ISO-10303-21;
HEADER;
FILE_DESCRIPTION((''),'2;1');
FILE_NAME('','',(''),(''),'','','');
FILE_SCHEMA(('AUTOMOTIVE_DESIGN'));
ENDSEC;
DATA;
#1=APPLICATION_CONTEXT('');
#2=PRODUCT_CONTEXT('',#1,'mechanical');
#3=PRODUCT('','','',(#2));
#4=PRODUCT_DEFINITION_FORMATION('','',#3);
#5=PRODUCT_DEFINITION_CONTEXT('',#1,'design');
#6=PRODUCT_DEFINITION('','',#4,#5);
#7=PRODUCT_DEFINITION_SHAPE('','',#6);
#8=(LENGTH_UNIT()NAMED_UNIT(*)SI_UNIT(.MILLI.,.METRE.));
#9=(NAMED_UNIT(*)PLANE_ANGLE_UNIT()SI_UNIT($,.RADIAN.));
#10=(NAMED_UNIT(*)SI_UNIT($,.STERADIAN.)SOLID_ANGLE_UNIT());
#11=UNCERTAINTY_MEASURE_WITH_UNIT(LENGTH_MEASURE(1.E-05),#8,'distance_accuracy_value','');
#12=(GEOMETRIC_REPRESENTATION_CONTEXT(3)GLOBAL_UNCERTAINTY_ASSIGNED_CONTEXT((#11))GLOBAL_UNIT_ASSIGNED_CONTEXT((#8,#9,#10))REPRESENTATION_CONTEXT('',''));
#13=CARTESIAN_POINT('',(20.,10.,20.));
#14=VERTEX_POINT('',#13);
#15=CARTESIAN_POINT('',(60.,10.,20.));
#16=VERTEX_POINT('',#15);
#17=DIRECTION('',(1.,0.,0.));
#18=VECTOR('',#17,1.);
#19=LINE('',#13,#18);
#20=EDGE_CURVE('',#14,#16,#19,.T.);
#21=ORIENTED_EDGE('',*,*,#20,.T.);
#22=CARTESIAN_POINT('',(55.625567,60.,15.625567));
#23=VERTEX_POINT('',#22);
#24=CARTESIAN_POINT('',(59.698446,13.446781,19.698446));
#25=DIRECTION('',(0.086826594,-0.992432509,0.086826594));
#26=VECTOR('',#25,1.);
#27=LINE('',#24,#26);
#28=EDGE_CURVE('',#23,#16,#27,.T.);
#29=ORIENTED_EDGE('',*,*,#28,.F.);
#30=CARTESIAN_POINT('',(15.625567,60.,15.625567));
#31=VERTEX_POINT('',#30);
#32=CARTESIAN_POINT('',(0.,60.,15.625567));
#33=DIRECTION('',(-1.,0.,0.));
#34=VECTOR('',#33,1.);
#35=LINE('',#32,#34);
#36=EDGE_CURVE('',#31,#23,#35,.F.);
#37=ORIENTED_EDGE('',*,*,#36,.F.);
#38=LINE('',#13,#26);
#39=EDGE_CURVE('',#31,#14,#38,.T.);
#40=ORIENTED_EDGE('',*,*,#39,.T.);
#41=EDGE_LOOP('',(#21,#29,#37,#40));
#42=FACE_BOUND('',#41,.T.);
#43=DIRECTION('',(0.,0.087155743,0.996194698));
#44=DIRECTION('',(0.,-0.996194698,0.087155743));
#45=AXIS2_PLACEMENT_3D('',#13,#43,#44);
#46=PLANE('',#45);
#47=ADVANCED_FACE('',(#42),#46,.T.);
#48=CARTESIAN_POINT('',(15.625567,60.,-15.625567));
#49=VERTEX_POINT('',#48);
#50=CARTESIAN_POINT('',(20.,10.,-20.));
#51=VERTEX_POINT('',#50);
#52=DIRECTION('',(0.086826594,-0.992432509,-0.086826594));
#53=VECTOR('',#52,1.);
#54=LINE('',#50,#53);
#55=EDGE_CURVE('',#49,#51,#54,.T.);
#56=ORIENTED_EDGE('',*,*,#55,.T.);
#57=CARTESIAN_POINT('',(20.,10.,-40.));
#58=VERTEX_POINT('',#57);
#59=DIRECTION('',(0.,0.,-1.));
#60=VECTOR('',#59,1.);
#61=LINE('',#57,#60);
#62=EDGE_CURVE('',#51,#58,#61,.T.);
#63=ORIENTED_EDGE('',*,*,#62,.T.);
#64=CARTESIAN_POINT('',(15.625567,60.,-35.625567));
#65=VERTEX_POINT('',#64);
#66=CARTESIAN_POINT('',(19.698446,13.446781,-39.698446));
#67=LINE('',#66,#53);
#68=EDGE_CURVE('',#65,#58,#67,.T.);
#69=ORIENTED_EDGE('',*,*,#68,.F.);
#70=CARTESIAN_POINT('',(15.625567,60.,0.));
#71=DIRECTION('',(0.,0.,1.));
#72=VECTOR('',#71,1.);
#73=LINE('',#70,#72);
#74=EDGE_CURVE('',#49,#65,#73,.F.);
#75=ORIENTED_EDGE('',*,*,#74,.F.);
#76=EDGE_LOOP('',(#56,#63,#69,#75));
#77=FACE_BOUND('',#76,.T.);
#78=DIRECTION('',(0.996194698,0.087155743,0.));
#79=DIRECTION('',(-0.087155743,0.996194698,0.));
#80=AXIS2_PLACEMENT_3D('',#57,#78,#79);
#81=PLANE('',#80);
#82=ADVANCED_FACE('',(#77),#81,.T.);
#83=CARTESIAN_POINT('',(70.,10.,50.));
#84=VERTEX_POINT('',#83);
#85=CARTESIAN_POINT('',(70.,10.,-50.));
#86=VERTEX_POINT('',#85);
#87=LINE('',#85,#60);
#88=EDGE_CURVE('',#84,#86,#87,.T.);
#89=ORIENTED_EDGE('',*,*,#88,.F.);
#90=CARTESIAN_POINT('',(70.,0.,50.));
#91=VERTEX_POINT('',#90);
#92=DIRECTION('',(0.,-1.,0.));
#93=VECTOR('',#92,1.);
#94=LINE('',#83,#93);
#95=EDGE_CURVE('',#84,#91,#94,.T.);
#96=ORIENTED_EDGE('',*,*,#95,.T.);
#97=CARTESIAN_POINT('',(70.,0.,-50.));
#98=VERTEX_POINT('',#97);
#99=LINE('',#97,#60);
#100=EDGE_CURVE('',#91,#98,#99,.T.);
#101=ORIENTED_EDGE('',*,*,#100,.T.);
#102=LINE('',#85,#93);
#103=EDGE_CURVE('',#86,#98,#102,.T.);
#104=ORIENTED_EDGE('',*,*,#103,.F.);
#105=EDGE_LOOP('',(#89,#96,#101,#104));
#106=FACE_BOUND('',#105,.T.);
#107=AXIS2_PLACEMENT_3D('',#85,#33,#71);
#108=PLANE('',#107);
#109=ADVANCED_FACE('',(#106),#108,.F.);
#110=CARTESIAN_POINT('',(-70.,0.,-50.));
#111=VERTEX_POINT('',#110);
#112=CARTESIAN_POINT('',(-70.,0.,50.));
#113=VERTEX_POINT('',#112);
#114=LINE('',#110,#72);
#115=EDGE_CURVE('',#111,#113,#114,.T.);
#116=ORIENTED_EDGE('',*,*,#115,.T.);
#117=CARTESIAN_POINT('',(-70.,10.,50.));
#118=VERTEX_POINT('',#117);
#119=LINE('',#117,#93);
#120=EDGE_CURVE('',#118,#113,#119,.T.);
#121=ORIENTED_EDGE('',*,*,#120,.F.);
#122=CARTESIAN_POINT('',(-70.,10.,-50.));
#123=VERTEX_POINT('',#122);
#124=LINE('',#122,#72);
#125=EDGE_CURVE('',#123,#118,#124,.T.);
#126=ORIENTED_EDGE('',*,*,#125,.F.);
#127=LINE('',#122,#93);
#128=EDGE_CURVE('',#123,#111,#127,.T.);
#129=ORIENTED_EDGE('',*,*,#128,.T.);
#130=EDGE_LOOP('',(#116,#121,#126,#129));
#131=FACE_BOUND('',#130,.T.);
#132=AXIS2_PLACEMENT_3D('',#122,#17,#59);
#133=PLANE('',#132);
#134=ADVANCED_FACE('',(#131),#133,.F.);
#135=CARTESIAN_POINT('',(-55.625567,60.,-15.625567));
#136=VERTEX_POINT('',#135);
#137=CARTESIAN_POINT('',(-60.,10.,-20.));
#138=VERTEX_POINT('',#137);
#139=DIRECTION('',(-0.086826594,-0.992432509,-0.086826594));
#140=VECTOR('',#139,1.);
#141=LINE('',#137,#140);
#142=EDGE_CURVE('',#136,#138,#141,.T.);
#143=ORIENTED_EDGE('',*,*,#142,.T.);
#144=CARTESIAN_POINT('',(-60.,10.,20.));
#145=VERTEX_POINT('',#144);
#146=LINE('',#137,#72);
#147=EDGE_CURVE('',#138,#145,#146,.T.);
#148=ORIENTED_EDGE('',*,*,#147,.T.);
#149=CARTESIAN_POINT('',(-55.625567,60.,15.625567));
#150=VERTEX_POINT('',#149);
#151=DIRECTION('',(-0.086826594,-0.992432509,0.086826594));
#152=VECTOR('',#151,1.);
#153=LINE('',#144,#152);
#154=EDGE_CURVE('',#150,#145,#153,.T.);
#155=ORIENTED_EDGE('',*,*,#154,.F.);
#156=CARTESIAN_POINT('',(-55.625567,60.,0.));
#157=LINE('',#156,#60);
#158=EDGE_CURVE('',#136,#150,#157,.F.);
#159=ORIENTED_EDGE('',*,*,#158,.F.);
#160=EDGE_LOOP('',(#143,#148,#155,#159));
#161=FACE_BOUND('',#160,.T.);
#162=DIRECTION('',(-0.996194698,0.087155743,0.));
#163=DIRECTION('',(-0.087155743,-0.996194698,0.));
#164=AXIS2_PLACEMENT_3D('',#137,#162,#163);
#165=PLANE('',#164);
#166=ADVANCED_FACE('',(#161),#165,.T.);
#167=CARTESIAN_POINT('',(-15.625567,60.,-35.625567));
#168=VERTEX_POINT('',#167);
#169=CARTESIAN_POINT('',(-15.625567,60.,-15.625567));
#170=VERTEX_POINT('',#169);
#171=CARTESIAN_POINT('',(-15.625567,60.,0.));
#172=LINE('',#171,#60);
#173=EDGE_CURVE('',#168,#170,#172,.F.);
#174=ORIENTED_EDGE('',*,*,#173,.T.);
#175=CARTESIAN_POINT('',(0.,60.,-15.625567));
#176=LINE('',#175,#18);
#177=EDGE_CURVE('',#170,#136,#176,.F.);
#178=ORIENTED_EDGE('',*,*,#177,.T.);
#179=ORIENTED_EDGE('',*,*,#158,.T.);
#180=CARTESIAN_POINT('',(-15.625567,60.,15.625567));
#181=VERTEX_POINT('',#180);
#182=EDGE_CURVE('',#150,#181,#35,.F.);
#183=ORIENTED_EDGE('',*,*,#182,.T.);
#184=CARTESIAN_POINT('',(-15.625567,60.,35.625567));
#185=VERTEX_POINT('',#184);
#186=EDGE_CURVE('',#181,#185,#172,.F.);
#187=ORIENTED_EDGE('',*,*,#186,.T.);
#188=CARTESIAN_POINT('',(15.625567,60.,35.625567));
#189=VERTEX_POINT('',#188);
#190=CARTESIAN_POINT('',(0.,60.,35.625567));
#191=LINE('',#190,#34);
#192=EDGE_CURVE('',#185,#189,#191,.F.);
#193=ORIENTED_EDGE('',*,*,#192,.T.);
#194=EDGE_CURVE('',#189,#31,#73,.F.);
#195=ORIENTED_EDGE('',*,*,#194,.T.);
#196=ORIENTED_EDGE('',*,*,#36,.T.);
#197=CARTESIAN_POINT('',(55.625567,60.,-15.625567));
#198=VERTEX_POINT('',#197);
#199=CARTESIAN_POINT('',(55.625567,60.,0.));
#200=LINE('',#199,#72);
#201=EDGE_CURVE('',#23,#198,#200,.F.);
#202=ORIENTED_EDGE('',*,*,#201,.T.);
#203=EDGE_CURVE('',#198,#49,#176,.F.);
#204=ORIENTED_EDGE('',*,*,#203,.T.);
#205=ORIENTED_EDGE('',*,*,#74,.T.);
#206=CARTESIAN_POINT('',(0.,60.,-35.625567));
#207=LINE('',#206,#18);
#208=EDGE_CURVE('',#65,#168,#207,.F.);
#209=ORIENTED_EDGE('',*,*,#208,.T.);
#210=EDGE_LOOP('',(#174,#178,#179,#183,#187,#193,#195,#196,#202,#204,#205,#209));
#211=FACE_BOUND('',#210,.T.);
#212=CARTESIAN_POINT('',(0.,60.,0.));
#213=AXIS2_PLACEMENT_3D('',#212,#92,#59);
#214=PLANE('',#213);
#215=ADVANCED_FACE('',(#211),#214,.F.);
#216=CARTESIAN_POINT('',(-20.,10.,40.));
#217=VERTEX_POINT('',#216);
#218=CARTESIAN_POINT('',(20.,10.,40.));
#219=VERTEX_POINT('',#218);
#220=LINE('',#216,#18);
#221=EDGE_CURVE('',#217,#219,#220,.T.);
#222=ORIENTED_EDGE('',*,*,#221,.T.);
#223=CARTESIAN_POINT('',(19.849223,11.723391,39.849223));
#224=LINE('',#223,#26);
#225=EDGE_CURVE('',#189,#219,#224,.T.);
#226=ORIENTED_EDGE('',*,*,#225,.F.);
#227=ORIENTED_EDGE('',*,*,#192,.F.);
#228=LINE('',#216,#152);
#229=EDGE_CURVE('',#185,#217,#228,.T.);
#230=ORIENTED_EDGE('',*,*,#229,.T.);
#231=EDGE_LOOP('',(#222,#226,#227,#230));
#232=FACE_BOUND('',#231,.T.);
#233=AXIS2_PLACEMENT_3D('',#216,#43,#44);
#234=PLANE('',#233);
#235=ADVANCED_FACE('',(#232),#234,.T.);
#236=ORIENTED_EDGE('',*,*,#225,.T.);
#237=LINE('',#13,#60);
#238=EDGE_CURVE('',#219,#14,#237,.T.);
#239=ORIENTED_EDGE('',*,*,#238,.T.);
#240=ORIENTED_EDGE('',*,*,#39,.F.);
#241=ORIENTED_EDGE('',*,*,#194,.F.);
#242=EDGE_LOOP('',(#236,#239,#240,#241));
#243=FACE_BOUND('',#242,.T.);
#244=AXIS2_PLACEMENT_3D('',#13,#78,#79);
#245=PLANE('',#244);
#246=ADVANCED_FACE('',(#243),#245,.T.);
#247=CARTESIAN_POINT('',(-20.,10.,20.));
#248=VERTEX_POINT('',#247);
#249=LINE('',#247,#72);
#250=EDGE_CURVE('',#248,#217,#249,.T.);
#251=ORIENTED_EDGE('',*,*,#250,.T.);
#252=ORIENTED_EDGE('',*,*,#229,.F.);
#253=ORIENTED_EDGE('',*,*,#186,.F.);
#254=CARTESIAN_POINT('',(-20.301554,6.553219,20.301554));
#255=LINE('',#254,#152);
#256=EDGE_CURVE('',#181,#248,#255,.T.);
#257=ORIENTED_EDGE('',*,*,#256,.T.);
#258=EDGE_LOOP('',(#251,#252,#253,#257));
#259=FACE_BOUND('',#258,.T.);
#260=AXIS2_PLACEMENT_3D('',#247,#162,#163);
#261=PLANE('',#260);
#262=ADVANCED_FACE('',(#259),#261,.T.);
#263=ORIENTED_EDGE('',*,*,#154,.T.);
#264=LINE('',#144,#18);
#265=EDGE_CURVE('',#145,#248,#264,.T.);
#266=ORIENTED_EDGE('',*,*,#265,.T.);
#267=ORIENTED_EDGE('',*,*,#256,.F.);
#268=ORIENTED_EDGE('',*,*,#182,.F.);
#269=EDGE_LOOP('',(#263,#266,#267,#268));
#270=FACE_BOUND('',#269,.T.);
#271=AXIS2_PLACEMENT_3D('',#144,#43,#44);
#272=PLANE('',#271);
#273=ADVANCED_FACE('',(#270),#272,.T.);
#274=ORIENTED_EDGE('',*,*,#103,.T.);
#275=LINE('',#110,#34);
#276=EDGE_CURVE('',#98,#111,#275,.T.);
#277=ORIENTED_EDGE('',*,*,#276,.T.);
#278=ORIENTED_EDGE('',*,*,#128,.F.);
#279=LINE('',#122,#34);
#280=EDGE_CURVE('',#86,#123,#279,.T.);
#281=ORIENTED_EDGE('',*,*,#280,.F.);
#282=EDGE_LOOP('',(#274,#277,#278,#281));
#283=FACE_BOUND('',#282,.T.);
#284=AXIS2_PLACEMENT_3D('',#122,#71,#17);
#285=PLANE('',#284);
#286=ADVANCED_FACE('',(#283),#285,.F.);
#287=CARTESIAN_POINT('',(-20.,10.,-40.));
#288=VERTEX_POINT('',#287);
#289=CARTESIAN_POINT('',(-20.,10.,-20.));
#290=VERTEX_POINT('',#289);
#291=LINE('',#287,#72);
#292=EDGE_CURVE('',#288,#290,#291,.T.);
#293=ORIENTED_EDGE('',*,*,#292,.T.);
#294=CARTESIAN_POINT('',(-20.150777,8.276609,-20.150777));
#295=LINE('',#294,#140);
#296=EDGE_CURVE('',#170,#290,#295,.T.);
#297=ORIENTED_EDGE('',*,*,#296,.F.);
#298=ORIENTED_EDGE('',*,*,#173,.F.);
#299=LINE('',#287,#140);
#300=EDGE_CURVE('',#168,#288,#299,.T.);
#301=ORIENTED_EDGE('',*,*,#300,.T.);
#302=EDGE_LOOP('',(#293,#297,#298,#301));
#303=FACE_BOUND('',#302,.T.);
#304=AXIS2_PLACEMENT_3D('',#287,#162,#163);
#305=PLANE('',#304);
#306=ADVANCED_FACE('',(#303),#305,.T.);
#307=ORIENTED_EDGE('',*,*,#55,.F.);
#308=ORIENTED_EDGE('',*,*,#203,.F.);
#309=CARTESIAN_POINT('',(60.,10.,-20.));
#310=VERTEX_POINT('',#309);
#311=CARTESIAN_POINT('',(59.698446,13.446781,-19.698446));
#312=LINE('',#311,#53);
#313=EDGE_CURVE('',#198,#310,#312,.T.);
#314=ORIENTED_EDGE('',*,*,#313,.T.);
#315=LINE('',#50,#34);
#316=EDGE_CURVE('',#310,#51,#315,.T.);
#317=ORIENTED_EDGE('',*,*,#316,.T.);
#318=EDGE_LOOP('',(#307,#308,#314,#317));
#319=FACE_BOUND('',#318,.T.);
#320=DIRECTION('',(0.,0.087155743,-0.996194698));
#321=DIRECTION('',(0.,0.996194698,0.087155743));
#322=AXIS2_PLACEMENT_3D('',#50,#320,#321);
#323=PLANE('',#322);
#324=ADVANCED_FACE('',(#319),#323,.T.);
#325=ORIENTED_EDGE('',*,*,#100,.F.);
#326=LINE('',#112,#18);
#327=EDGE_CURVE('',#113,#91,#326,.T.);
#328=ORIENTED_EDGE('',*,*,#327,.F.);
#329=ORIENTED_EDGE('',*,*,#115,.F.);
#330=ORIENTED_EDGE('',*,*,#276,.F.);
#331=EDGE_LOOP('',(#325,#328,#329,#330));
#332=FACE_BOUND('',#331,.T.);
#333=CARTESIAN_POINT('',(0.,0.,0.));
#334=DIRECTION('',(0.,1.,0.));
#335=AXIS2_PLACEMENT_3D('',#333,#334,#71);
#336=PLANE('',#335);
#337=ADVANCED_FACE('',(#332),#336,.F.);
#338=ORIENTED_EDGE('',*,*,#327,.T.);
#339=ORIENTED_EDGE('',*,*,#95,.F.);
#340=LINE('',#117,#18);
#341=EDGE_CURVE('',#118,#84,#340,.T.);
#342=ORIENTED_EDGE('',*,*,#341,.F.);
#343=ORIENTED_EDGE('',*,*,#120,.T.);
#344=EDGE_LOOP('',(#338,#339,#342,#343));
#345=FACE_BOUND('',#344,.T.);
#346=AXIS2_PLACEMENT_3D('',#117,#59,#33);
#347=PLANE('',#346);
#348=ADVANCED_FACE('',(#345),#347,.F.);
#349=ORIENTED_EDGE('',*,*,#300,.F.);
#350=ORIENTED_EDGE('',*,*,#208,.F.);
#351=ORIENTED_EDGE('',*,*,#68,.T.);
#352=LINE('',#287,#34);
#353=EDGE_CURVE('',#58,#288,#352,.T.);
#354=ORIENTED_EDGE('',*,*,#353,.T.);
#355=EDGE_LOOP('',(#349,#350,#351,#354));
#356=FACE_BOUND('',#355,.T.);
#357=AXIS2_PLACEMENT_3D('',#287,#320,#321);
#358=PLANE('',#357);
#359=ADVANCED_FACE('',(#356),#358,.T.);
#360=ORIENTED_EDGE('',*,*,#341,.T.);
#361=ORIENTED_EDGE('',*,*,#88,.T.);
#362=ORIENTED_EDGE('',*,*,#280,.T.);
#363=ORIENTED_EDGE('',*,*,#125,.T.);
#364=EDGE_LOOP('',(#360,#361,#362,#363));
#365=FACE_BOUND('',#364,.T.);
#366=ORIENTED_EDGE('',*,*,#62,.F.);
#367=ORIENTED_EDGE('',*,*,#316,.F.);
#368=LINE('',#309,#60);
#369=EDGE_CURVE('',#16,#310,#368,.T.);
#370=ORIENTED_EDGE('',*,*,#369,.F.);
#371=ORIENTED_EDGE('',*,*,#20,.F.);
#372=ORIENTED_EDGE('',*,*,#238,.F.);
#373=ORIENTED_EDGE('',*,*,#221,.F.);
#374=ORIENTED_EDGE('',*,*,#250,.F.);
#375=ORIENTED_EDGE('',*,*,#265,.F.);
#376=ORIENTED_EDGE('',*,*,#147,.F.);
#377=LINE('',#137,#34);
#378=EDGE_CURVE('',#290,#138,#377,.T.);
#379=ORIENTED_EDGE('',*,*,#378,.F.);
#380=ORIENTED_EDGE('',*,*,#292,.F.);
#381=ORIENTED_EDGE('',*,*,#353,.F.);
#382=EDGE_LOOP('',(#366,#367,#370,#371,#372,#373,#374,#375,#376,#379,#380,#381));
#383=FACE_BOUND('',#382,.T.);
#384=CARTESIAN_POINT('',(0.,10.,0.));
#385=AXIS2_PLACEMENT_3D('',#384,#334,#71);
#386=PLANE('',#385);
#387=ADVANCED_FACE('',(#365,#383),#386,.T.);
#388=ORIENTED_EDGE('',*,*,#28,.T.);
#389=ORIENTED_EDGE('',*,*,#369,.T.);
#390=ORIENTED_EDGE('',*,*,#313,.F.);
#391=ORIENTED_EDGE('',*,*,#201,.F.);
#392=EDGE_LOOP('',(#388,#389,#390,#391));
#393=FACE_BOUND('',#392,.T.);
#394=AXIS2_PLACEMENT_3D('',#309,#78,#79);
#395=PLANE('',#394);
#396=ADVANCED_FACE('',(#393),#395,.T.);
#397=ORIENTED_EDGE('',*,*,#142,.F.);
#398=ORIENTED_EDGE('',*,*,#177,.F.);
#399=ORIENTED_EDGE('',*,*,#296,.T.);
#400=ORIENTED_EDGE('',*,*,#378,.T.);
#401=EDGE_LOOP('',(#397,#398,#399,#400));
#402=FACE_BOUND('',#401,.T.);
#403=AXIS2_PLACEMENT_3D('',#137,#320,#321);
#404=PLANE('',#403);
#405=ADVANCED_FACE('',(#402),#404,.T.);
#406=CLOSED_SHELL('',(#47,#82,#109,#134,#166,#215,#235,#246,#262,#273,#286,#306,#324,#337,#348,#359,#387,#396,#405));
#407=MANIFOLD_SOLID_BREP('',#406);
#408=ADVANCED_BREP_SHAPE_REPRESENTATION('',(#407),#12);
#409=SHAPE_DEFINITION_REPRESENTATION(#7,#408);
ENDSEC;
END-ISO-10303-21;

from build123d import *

# Parameters (mm, degrees)
SKETCH_1_W      = 140
SKETCH_1_H      = 100
EXTRUDE_1_DEPTH = 10
EXTRUDE_2_DEPTH = 50
EXTRUDE_2_TAPER = 5


with BuildPart() as part:
    # 스케치1 → 보스-돌출1 (new body)
    with BuildSketch(Plane(origin=(0, 0, 0), x_dir=(1, 0, 0), z_dir=(0, 1, 0))):
        Rectangle(SKETCH_1_W, SKETCH_1_H)
    extrude(amount=EXTRUDE_1_DEPTH)

    # 스케치2 → 보스-돌출2 (add)
    with BuildSketch(Plane(origin=(0, 10, 0), x_dir=(1, 0, 0), z_dir=(0, 1, 0))):
        Polygon((20, 20), (20, 40), (-20, 40), (-20, 20), (-60, 20), (-60, -20), (-20, -20), (-20, -40), (20, -40), (20, -20), (60, -20), (60, 20), align=None)
    extrude(amount=EXTRUDE_2_DEPTH, taper=EXTRUDE_2_TAPER)


solid = part.part
